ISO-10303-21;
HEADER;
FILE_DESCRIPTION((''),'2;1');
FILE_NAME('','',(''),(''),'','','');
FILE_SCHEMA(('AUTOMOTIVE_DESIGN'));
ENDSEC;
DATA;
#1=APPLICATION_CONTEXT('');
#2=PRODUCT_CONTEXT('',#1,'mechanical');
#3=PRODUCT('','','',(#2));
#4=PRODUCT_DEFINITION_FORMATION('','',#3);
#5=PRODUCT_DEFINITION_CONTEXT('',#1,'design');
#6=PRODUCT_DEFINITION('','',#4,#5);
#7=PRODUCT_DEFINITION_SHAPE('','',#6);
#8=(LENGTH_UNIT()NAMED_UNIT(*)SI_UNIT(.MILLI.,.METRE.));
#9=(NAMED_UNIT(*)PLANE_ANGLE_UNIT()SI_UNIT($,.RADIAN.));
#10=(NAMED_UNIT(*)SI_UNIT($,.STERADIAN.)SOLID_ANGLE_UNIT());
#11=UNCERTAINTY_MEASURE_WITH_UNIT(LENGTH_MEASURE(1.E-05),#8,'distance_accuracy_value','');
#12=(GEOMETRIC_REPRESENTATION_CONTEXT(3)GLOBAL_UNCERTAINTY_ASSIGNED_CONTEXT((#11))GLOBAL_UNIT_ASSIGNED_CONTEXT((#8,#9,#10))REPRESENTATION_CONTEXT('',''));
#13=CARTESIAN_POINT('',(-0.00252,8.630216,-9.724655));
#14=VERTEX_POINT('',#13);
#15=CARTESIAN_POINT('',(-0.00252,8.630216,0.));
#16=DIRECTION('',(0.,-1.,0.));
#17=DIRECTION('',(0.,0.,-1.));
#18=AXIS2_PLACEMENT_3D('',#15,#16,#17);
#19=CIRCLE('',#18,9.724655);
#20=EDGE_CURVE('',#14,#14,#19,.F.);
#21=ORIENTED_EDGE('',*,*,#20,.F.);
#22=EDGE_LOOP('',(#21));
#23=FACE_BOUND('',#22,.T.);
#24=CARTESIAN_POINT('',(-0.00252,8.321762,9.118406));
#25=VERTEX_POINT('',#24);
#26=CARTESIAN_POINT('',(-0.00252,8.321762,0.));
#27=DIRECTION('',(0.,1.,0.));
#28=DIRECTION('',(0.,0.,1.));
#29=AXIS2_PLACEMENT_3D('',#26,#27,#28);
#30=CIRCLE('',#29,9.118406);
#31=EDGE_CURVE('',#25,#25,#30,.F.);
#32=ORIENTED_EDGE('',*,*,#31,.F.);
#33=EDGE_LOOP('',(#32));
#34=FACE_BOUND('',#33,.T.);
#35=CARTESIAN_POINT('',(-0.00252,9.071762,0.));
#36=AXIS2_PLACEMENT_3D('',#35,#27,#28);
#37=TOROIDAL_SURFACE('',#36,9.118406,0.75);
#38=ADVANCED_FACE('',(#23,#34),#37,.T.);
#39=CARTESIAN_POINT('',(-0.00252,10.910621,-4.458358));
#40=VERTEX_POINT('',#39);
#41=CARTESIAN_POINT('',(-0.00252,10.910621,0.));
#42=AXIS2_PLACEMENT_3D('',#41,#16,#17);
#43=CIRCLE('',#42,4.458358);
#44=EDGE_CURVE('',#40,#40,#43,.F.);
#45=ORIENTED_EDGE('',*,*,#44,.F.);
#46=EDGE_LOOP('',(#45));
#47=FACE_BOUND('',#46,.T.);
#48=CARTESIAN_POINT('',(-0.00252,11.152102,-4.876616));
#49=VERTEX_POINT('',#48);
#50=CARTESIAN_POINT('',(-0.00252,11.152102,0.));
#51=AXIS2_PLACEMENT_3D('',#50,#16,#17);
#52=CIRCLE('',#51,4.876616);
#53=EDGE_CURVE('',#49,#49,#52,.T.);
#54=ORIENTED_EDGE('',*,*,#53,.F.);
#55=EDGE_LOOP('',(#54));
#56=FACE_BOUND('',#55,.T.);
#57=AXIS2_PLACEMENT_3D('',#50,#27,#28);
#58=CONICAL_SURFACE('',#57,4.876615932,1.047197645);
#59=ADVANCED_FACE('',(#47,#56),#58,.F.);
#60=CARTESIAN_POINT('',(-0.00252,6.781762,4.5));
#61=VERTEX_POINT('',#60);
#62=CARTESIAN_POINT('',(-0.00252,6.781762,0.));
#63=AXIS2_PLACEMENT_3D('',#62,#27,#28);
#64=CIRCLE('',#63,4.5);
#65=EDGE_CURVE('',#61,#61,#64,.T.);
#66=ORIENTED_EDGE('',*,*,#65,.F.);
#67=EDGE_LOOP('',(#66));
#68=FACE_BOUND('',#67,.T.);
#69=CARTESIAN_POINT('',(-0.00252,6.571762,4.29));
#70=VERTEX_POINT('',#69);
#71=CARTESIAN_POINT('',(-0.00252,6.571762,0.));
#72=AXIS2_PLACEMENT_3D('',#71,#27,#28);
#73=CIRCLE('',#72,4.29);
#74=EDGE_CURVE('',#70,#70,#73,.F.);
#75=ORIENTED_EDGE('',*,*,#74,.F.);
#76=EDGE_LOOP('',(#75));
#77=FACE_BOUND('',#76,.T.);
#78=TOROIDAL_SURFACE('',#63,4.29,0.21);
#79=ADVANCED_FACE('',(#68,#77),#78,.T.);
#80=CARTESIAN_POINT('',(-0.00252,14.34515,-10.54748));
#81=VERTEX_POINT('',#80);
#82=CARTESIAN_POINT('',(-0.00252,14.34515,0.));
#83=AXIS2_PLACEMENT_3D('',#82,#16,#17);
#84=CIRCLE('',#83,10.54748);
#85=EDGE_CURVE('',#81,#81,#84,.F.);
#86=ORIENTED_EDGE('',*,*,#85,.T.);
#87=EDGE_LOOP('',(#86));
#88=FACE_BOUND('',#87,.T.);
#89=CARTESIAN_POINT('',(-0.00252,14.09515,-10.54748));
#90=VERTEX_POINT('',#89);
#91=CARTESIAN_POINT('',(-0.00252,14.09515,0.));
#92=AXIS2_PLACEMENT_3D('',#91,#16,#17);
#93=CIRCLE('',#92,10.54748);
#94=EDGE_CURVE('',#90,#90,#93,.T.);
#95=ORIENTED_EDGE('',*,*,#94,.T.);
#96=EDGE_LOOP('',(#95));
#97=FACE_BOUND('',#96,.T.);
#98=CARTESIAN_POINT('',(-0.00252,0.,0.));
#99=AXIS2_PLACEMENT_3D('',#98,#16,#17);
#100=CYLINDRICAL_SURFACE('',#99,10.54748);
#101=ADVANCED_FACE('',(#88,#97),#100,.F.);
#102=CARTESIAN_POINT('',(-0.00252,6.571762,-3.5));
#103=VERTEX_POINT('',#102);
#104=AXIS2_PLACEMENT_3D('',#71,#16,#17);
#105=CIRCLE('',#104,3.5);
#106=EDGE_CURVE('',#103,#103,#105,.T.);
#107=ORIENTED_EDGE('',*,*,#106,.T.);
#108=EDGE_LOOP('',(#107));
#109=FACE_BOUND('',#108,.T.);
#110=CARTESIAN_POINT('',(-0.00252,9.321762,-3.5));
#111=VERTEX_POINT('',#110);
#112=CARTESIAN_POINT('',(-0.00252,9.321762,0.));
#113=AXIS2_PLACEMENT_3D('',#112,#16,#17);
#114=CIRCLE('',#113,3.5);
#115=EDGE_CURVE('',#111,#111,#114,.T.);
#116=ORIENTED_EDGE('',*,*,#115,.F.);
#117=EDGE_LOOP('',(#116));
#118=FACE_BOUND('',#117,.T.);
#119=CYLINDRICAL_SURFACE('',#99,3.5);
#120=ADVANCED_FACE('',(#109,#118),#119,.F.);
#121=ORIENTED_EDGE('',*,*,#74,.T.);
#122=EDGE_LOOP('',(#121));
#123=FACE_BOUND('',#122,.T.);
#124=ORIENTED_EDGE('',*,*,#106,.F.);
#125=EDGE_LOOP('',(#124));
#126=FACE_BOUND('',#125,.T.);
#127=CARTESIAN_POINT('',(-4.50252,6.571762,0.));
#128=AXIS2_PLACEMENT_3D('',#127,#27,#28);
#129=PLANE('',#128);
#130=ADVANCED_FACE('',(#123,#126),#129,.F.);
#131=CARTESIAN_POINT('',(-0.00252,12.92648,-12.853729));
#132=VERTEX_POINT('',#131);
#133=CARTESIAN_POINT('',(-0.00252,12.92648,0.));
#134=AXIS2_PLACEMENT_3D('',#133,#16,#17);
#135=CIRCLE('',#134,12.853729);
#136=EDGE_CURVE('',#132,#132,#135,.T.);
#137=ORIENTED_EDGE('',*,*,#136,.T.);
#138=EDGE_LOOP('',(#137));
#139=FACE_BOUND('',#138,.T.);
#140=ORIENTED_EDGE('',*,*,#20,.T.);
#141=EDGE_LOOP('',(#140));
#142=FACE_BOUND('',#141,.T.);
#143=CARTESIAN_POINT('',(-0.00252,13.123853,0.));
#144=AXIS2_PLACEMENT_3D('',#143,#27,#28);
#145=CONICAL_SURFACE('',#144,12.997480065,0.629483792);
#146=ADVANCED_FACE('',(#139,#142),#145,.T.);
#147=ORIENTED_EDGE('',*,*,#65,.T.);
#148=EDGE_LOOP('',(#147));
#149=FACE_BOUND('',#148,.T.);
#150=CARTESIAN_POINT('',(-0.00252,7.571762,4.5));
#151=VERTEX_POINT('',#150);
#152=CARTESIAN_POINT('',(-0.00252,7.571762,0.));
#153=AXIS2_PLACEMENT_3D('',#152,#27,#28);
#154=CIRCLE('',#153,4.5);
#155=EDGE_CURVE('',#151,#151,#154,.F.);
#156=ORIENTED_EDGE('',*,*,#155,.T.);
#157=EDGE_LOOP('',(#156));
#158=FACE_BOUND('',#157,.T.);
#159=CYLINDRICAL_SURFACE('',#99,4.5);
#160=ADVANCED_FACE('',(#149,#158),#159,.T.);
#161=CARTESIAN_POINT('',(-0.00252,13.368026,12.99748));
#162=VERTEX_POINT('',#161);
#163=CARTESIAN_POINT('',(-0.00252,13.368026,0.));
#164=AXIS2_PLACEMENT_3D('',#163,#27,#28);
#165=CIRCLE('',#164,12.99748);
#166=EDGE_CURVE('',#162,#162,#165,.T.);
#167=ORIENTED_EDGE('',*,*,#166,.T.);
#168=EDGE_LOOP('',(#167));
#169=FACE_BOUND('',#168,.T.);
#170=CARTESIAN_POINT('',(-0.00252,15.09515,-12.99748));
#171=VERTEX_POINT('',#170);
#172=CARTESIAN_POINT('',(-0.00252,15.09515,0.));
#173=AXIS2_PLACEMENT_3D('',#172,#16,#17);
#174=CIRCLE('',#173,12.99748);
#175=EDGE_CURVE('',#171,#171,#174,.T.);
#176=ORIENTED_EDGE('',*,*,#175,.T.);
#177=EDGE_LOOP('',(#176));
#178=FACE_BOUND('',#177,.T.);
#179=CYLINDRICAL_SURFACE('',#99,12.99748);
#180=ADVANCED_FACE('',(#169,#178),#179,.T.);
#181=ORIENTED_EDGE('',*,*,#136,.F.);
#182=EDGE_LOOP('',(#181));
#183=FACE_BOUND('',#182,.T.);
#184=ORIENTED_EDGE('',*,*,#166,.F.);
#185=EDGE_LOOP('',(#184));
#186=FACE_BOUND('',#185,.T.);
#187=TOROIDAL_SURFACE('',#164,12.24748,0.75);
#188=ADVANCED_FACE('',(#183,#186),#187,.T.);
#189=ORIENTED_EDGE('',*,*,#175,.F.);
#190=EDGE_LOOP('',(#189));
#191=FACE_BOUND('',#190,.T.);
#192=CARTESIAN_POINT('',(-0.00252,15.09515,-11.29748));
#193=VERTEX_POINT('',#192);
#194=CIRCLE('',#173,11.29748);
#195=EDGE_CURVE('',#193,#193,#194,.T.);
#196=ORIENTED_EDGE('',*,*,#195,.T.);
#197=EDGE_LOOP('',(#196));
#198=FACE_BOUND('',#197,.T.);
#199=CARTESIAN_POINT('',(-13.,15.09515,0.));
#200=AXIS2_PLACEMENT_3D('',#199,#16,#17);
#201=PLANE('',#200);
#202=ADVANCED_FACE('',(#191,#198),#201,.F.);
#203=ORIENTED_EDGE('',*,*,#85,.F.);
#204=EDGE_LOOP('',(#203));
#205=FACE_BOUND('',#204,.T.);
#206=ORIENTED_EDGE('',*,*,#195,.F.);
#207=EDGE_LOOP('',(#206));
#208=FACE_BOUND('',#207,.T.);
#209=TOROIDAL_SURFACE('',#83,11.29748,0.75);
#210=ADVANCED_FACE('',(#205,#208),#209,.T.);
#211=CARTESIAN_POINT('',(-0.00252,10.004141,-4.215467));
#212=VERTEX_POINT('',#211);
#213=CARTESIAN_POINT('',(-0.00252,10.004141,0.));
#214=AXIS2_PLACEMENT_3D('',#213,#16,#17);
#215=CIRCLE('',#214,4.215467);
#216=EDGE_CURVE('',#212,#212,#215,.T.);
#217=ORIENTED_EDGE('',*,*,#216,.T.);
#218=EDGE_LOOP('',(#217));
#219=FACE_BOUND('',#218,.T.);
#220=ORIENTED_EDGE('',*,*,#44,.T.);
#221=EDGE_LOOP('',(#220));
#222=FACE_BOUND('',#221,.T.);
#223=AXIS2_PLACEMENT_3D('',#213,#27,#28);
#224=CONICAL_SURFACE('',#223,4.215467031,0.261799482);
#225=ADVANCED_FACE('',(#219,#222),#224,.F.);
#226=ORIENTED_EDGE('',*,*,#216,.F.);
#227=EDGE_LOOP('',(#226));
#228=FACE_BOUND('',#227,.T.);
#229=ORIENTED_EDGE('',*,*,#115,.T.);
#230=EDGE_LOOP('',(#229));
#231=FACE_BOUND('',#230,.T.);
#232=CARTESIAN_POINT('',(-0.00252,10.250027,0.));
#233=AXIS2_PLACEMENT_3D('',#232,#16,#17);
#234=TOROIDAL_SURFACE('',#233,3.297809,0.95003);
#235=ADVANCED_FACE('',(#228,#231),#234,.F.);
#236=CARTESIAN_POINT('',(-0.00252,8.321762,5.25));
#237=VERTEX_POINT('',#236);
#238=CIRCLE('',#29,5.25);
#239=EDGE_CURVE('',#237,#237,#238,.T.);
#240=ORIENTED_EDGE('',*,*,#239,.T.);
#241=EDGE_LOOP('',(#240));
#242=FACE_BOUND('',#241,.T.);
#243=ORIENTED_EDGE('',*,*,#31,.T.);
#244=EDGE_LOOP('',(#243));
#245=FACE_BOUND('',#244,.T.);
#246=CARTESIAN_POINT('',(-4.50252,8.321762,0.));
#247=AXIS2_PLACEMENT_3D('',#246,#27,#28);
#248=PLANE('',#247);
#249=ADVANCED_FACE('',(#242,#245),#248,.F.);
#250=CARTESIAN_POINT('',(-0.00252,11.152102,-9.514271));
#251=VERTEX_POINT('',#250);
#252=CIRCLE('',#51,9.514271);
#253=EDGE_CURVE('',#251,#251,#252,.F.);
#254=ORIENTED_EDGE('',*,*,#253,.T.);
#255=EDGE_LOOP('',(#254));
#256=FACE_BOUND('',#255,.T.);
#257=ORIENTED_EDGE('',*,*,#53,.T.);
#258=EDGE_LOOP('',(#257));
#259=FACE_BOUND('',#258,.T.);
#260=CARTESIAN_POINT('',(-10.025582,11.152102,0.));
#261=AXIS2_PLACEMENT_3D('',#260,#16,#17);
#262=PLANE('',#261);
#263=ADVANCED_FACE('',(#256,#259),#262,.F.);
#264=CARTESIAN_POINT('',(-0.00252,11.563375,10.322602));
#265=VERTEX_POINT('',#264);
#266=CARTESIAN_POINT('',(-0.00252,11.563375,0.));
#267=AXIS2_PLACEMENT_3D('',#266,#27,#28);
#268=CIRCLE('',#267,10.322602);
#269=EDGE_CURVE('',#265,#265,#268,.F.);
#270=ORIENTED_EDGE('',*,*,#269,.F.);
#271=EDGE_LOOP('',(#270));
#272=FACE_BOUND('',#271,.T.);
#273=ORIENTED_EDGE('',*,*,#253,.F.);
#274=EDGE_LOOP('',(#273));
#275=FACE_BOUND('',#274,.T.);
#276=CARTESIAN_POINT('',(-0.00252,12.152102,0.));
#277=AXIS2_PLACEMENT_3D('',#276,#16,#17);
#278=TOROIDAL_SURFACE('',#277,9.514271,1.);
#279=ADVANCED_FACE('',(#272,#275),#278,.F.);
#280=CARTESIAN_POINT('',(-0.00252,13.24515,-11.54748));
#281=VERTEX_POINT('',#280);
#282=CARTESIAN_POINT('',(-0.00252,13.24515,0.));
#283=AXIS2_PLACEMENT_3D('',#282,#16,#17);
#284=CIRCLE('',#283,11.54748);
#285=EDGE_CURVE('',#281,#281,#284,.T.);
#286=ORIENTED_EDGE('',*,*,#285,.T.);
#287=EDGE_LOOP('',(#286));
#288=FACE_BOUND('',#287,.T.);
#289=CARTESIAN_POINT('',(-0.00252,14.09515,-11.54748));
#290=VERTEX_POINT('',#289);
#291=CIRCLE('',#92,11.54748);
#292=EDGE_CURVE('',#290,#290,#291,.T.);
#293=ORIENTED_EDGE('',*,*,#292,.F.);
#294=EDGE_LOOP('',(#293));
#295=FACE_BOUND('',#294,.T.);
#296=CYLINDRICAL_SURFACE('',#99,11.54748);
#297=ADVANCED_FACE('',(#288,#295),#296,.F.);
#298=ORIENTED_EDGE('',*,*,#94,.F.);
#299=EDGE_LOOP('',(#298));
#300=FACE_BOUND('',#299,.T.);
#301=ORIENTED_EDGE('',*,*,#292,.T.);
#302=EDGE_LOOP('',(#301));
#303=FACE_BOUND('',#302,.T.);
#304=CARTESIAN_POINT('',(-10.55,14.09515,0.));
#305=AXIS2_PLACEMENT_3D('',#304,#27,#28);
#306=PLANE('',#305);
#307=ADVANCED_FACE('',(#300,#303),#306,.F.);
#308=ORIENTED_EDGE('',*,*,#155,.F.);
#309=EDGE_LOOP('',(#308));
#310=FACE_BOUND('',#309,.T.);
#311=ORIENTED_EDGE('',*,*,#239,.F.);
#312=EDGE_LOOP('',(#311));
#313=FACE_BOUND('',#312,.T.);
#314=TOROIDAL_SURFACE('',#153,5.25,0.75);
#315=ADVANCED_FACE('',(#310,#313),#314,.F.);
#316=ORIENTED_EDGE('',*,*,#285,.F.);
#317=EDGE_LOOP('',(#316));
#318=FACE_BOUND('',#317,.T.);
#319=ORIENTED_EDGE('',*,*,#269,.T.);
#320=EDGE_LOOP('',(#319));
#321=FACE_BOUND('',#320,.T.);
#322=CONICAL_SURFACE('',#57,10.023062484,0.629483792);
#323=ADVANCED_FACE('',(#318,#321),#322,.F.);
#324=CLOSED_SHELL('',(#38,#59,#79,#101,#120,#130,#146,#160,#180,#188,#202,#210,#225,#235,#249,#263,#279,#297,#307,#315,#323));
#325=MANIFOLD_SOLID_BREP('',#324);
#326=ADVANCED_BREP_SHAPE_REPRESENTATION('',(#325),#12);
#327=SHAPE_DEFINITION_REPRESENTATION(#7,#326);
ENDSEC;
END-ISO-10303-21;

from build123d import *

# Parameters (mm, degrees)
FILLET1_R      = 0.75
FILLET2_R      = 0.75
FILLET3_R      = 1
CHAMFER1_SIZE  = 0.25
CHAMFER1_SIZE2 = 0.353553448
FILLET4_R      = 0.21


with BuildPart() as part:
    # Sketch1 → Revolve1 (revolve)
    with BuildSketch(Plane.XY, mode=Mode.PRIVATE) as revolve1_sk:
        with BuildLine():
            Line((-4.525582419, 11.152102105), (-4.217986966, 10.004140678))
            ThreePointArc((-4.217986966, 10.004140678), (-3.956016067, 9.56254519), (-3.502519935, 9.321761913))
            Line((-3.502519935, 9.321761913), (-3.502519935, 6.571761913))
            Line((-3.502519935, 6.571761913), (-4.502519935, 6.571761913))
            Line((-4.502519935, 6.571761913), (-4.502519935, 8.321761913))
            Line((-4.502519935, 8.321761913), (-9.502519935, 8.321761913))
            Line((-9.502519935, 8.321761913), (-13, 13.123852955))
            Line((-13, 13.123852955), (-13, 15.095149634))
            Line((-13, 15.095149634), (-10.55, 15.095149634))
            Line((-10.55, 15.095149634), (-10.55, 14.095149634))
            Line((-10.55, 14.095149634), (-11.55, 14.095149634))
            Line((-11.55, 14.095149634), (-11.55, 13.245149634))
            Line((-11.55, 13.245149634), (-10.025582419, 11.152102105))
            Line((-10.025582419, 11.152102105), (-4.525582419, 11.152102105))
        make_face()
    revolve(revolve1_sk.sketch.rotate(Axis((-0.002519935, 0, 0), (0, 1, 0)), 270), axis=Axis((-0.002519935, 0, 0), (0, 1, 0)))

    # Fillet1
    fillet1_edges = [part.edges().sort_by_distance(p)[0] for p in [
        (-0.002519935, 8.321761913, 4.5),
        (-0.002519935, 8.321761913, 9.5),
        (-0.002519935, 13.123852955, 12.997480065),
    ]]
    fillet(fillet1_edges, radius=FILLET1_R)

    # Fillet2
    fillet2_edges = [part.edges().sort_by_distance(p)[0] for p in [
        (-0.002519935, 15.095149634, 10.547480065),
    ]]
    fillet(fillet2_edges, radius=FILLET2_R)

    # Fillet3
    fillet3_edges = [part.edges().sort_by_distance(p)[0] for p in [
        (-0.002519935, 11.152102105, 10.023062484),
    ]]
    fillet(fillet3_edges, radius=FILLET3_R)

    # Chamfer1
    chamfer1_edges = [part.edges().sort_by_distance(p)[0] for p in [
        (-0.002519935, 11.152102105, 4.523062484),
    ]]
    chamfer1_side = [part.faces().sort_by_distance(p)[0] for p in [
        (-0.002519935, 10.578121392, 4.369264758),
    ]]
    chamfer(chamfer1_edges, length=CHAMFER1_SIZE, length2=CHAMFER1_SIZE2, reference=chamfer1_side[0])

    # Fillet4
    fillet4_edges = [part.edges().sort_by_distance(p)[0] for p in [
        (-0.002519935, 6.571761913, 4.5),
    ]]
    fillet(fillet4_edges, radius=FILLET4_R)


solid = part.part
